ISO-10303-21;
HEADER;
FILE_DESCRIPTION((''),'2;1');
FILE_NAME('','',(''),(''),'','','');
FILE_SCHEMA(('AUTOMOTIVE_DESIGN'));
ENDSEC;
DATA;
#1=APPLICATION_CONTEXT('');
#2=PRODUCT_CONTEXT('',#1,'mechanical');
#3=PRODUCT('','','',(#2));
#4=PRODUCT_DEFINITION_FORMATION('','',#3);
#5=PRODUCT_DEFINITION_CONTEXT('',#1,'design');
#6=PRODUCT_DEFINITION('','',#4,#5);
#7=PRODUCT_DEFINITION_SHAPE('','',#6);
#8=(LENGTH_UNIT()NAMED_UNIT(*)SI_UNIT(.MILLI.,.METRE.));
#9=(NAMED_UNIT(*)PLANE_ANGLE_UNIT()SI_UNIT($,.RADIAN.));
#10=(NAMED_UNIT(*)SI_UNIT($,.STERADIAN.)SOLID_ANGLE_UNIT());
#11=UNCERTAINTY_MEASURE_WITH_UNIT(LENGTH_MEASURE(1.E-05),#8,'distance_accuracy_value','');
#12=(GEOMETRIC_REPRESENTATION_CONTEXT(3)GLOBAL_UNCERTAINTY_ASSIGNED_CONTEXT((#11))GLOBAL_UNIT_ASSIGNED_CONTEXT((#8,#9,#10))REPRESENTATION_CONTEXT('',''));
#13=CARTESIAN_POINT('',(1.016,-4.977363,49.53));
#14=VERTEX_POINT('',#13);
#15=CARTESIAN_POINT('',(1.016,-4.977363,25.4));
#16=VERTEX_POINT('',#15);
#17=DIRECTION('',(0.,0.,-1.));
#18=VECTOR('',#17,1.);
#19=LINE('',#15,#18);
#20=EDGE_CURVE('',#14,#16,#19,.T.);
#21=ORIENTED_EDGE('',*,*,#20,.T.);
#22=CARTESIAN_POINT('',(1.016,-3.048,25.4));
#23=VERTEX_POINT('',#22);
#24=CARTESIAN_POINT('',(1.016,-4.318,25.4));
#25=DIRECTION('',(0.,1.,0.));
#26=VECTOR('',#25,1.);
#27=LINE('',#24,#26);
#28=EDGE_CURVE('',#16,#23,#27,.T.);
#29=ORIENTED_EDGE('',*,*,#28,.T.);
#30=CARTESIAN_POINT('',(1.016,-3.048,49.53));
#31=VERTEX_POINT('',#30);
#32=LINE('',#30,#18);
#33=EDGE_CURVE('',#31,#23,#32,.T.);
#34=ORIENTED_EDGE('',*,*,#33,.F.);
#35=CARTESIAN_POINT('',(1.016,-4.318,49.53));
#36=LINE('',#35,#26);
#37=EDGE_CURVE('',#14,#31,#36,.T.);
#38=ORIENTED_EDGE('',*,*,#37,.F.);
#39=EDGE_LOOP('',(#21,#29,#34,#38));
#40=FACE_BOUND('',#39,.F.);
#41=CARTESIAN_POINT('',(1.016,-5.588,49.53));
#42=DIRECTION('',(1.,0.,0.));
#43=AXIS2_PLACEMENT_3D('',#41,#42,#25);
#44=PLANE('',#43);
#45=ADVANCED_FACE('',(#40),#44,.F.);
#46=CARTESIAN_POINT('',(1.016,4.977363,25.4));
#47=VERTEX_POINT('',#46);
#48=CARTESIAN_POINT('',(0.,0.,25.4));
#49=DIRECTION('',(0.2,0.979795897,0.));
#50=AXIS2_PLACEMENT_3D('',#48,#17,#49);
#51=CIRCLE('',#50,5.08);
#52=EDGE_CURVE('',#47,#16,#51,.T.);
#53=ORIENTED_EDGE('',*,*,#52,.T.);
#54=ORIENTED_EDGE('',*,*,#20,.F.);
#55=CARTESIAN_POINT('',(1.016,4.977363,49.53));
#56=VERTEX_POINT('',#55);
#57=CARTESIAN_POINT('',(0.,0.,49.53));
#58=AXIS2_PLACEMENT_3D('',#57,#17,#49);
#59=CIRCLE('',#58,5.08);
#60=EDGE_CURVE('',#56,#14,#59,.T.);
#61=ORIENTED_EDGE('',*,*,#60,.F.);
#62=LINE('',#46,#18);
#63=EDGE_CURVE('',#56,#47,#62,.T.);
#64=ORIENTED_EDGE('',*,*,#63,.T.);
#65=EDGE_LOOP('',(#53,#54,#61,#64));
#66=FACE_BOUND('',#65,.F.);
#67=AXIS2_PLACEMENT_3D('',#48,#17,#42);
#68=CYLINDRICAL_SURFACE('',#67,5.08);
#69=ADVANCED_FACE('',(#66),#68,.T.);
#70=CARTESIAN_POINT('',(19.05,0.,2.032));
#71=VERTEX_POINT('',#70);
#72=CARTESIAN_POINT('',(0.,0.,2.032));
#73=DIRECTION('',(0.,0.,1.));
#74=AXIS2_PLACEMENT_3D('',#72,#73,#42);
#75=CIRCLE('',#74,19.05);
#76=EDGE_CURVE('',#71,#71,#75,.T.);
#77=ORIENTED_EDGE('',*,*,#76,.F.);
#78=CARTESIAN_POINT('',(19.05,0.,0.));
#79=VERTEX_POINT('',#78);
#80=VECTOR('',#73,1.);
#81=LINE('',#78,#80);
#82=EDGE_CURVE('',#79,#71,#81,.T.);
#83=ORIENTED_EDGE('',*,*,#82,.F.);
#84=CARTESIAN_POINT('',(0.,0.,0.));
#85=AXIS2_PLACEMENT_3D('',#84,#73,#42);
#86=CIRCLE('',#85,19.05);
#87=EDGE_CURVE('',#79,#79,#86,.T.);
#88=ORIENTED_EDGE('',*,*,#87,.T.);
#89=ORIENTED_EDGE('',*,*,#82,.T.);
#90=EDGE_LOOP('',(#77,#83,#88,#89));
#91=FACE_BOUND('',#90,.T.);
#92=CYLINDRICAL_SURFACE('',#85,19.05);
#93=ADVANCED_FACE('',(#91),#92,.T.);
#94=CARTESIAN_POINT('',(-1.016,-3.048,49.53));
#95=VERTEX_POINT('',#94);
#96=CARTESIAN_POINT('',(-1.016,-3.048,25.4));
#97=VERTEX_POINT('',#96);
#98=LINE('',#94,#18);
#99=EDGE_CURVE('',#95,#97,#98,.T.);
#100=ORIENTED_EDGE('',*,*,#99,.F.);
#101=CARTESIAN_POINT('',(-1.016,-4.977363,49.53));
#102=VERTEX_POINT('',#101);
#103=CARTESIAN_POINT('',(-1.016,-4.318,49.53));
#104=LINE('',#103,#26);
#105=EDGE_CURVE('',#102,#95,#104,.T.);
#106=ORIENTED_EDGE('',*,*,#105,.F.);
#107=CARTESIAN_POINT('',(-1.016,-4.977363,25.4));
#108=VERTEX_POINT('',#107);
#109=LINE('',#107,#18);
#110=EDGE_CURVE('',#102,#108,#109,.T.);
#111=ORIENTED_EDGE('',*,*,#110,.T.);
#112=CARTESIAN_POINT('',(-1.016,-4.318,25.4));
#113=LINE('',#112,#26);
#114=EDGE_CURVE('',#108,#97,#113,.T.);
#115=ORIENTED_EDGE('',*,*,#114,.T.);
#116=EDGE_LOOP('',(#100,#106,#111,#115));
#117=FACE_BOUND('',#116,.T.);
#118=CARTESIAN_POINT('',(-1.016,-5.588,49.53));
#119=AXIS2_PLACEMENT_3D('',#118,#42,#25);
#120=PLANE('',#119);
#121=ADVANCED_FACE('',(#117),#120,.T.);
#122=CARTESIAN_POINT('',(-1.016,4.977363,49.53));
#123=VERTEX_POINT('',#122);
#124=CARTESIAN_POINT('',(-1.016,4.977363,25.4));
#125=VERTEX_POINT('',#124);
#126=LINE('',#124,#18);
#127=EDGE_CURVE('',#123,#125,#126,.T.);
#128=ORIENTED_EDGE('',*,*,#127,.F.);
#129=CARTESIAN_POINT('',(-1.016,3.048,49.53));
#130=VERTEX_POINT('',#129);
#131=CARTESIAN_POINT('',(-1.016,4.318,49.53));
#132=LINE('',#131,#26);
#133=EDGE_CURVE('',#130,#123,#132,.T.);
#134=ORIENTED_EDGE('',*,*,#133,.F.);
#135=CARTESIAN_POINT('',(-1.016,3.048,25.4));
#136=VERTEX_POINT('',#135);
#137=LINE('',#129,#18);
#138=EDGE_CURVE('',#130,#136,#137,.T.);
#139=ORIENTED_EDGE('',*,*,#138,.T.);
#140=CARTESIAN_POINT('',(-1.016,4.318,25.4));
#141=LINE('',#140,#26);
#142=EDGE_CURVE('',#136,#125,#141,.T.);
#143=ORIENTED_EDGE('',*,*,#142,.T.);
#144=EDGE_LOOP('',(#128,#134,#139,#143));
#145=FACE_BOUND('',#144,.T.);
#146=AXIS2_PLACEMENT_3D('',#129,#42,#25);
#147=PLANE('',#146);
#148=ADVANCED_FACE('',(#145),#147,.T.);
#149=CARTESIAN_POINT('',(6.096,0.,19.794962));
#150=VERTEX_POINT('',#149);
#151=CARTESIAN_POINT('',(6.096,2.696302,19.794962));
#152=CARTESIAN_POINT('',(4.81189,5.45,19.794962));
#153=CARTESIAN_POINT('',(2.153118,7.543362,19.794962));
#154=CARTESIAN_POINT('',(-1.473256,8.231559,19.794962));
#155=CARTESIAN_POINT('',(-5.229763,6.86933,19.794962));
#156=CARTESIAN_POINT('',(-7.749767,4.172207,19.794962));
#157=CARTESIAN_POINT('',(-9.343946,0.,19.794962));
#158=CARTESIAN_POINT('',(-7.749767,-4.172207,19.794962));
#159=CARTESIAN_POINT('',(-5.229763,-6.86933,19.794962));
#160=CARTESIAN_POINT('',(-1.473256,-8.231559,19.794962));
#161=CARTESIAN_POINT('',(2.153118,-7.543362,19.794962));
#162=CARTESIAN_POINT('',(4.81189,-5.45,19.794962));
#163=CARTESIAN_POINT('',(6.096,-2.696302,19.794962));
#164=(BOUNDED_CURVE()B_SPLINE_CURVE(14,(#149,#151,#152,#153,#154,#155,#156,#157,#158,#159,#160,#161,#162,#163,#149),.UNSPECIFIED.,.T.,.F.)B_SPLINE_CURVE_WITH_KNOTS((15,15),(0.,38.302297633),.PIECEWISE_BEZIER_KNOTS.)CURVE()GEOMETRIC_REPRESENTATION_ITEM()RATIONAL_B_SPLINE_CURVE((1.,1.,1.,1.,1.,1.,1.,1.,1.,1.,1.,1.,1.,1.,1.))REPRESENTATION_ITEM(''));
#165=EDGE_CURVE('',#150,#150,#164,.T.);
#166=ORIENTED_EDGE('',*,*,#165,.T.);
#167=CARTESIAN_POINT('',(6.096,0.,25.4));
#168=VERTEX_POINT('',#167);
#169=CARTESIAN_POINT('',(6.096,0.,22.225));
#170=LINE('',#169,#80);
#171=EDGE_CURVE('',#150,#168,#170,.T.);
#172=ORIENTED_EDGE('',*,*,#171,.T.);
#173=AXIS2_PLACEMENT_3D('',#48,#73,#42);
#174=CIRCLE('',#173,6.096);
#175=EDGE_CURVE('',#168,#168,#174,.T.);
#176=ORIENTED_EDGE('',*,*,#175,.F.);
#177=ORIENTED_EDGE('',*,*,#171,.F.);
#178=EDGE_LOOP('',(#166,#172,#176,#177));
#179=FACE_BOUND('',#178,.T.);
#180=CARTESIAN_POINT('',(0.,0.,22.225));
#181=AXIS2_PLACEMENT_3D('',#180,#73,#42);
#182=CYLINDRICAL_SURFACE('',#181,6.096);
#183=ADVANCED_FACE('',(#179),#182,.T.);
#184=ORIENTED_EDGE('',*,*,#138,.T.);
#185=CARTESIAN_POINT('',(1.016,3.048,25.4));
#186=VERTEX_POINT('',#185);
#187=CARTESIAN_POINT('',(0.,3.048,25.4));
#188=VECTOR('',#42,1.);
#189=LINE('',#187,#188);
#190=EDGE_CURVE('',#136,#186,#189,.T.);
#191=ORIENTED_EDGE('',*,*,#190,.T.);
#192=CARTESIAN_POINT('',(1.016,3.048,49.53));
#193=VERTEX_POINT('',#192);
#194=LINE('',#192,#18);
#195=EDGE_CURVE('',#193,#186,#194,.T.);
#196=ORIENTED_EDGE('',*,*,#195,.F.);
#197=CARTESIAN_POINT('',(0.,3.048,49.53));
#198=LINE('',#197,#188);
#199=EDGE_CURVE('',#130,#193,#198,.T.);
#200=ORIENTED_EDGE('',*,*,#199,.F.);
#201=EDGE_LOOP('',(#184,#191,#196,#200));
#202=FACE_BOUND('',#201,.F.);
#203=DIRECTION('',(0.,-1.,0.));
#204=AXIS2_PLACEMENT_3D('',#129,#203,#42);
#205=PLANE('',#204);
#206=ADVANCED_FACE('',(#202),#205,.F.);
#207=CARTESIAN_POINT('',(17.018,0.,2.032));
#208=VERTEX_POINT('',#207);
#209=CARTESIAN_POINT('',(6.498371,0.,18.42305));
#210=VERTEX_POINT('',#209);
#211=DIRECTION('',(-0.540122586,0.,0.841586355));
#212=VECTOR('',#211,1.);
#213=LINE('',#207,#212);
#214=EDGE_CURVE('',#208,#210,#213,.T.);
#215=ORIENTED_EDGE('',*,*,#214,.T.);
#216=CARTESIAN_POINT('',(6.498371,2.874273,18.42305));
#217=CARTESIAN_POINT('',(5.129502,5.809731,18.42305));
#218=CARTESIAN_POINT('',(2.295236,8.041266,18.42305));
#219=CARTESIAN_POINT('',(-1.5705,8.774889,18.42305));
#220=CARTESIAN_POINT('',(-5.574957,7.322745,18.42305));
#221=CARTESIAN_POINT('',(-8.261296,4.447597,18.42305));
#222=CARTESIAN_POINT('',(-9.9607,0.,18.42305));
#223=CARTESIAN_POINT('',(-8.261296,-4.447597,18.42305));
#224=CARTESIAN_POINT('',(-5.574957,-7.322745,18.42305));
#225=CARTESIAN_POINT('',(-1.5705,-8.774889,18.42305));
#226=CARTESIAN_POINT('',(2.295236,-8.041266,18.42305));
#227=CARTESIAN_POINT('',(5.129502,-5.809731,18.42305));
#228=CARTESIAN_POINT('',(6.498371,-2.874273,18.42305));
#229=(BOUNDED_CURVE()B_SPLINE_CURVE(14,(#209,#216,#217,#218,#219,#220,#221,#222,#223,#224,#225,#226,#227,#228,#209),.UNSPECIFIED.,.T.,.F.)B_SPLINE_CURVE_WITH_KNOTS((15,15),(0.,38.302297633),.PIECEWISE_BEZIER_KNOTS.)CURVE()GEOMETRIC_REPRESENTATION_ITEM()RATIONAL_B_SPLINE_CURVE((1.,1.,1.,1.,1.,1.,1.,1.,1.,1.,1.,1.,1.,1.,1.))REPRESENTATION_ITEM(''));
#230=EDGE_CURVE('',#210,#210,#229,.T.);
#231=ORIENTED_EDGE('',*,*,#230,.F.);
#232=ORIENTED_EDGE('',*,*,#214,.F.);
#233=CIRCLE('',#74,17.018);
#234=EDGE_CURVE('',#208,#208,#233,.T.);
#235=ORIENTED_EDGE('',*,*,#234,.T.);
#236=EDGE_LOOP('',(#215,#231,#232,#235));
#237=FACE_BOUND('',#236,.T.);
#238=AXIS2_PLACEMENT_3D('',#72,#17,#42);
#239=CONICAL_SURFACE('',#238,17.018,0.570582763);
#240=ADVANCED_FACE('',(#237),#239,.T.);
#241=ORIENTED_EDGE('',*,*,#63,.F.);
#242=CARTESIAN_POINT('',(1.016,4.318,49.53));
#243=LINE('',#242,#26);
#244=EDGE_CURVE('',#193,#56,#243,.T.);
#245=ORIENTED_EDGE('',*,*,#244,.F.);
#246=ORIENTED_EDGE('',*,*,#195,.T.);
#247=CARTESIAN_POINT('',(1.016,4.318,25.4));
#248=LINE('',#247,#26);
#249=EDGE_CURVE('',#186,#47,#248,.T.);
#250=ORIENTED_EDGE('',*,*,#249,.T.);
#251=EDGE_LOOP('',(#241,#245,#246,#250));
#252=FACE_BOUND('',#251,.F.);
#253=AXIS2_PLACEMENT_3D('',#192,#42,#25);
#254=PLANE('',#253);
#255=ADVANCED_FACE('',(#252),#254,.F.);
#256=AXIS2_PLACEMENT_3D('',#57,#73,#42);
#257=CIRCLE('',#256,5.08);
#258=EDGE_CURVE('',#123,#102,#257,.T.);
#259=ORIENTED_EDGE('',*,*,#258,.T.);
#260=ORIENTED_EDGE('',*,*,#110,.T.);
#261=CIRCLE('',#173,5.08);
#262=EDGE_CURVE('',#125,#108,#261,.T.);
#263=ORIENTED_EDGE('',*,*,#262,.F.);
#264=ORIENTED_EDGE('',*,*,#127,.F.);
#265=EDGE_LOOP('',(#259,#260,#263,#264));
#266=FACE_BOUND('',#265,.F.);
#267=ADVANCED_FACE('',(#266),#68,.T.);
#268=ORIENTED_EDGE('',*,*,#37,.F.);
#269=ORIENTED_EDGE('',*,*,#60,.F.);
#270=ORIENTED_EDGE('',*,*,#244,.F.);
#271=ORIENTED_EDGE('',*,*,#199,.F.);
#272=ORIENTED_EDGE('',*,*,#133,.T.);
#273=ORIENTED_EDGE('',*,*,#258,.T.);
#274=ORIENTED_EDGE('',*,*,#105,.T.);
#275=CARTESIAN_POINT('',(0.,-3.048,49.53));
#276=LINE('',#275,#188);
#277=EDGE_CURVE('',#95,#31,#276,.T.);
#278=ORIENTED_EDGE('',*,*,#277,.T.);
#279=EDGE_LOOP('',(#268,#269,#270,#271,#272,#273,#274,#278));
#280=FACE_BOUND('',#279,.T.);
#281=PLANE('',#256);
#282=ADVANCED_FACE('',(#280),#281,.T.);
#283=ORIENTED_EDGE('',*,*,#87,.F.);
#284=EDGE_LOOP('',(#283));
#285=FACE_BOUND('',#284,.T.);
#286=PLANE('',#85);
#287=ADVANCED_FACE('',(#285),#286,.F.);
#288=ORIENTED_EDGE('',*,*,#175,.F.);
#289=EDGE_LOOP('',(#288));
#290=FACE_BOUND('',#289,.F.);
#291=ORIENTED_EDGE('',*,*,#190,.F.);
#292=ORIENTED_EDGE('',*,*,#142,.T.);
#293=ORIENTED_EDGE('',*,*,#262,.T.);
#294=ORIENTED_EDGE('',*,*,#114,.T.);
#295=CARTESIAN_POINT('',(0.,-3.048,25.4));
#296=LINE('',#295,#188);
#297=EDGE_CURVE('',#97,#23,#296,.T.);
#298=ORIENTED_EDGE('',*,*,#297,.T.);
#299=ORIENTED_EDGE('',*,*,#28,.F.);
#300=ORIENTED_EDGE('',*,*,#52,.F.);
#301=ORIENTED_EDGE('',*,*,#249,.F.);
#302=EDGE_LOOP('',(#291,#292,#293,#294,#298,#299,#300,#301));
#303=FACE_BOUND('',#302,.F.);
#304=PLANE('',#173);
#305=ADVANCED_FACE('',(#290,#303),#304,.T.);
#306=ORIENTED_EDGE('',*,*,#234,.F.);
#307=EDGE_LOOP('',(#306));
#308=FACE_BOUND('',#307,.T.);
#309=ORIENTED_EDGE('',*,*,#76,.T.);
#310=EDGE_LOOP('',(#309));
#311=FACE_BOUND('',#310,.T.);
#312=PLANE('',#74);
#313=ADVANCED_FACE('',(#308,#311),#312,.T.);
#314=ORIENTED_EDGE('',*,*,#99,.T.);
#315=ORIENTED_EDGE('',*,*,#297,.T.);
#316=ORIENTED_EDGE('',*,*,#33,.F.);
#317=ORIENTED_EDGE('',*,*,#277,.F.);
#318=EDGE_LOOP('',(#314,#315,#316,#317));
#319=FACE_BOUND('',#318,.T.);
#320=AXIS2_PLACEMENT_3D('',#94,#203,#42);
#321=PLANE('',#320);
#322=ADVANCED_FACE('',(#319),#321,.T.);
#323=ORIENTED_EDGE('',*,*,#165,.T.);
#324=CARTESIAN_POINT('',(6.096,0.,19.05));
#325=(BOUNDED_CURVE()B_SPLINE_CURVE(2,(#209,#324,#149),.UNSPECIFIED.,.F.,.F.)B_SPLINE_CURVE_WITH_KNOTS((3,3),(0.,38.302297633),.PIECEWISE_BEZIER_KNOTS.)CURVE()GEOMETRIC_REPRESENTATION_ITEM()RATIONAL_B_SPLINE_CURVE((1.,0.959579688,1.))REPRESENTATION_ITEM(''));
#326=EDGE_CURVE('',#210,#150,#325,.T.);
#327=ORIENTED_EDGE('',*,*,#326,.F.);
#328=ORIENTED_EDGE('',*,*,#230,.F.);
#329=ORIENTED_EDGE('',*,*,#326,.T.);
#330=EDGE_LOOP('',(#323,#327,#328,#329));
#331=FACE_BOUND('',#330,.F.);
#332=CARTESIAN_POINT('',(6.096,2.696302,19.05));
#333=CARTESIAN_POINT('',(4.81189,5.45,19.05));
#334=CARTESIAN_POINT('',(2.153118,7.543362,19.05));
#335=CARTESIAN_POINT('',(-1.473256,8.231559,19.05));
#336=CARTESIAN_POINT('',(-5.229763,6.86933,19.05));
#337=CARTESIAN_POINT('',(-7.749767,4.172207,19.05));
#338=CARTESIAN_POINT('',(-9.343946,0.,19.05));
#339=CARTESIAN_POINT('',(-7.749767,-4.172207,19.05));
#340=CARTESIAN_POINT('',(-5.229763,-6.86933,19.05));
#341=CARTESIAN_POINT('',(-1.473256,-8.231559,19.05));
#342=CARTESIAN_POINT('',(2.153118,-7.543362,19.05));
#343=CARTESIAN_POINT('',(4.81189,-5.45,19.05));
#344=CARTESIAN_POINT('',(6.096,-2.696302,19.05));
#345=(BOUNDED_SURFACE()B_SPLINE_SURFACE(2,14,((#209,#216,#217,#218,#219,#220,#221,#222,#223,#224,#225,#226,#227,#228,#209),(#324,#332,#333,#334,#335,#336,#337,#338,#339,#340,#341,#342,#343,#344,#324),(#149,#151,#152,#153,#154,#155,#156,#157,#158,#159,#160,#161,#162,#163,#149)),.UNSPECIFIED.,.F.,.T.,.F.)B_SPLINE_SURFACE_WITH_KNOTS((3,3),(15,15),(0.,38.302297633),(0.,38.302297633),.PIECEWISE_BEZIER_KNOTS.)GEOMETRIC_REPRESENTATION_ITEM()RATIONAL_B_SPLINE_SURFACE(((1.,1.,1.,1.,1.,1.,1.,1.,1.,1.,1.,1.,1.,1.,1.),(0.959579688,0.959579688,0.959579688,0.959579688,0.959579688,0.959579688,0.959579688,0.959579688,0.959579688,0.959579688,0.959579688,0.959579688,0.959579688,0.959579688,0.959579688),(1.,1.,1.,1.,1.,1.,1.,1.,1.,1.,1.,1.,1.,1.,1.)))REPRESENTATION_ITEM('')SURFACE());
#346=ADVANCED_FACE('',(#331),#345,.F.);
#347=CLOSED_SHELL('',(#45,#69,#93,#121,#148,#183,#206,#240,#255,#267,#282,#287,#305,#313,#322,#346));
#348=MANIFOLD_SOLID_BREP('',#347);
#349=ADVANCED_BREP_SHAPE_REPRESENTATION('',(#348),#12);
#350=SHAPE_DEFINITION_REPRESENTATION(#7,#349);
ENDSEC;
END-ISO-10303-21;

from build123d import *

# Parameters (mm, degrees)
F0_W     = 6.096
F0_H     = 6.35
F2_R     = 5.08
F3_DEPTH = 24.13
F4_R     = 2.54
F5_W     = 2.032
F5_H     = 2.54
F6_DEPTH = 24.13


with BuildPart() as f1:
    # F0 (on Front) → F1 (revolve)
    with BuildSketch(Plane.XZ):
        Polygon((0, 19.05), (0, 0), (19.05, 0), (19.05, 2.032), (17.018, 2.032), (6.096, 19.05), align=None)
        with Locations((3.048, 22.225)):
            Rectangle(F0_W, F0_H)
    revolve(axis=Axis((0, 0, 9.525), (0, 0, 1)))

    # F2 (on face) → F3 (join)
    with BuildSketch(Plane.XY.offset(25.4)):
        Circle(F2_R)
    extrude(amount=F3_DEPTH)

    # F4
    f4_edges = [f1.edges().sort_by_distance(p)[0] for p in [
        (-6.096, 0, 19.05),
    ]]
    fillet(f4_edges, radius=F4_R)

    # F5 (on face) → F6 (cut)
    with BuildSketch(Plane.XY.offset(49.53)):
        with Locations((0, 4.318)):
            Rectangle(F5_W, F5_H)
        with Locations((0, -4.318)):
            Rectangle(F5_W, F5_H)
    extrude(amount=-F6_DEPTH, mode=Mode.SUBTRACT)


solid = f1.part
